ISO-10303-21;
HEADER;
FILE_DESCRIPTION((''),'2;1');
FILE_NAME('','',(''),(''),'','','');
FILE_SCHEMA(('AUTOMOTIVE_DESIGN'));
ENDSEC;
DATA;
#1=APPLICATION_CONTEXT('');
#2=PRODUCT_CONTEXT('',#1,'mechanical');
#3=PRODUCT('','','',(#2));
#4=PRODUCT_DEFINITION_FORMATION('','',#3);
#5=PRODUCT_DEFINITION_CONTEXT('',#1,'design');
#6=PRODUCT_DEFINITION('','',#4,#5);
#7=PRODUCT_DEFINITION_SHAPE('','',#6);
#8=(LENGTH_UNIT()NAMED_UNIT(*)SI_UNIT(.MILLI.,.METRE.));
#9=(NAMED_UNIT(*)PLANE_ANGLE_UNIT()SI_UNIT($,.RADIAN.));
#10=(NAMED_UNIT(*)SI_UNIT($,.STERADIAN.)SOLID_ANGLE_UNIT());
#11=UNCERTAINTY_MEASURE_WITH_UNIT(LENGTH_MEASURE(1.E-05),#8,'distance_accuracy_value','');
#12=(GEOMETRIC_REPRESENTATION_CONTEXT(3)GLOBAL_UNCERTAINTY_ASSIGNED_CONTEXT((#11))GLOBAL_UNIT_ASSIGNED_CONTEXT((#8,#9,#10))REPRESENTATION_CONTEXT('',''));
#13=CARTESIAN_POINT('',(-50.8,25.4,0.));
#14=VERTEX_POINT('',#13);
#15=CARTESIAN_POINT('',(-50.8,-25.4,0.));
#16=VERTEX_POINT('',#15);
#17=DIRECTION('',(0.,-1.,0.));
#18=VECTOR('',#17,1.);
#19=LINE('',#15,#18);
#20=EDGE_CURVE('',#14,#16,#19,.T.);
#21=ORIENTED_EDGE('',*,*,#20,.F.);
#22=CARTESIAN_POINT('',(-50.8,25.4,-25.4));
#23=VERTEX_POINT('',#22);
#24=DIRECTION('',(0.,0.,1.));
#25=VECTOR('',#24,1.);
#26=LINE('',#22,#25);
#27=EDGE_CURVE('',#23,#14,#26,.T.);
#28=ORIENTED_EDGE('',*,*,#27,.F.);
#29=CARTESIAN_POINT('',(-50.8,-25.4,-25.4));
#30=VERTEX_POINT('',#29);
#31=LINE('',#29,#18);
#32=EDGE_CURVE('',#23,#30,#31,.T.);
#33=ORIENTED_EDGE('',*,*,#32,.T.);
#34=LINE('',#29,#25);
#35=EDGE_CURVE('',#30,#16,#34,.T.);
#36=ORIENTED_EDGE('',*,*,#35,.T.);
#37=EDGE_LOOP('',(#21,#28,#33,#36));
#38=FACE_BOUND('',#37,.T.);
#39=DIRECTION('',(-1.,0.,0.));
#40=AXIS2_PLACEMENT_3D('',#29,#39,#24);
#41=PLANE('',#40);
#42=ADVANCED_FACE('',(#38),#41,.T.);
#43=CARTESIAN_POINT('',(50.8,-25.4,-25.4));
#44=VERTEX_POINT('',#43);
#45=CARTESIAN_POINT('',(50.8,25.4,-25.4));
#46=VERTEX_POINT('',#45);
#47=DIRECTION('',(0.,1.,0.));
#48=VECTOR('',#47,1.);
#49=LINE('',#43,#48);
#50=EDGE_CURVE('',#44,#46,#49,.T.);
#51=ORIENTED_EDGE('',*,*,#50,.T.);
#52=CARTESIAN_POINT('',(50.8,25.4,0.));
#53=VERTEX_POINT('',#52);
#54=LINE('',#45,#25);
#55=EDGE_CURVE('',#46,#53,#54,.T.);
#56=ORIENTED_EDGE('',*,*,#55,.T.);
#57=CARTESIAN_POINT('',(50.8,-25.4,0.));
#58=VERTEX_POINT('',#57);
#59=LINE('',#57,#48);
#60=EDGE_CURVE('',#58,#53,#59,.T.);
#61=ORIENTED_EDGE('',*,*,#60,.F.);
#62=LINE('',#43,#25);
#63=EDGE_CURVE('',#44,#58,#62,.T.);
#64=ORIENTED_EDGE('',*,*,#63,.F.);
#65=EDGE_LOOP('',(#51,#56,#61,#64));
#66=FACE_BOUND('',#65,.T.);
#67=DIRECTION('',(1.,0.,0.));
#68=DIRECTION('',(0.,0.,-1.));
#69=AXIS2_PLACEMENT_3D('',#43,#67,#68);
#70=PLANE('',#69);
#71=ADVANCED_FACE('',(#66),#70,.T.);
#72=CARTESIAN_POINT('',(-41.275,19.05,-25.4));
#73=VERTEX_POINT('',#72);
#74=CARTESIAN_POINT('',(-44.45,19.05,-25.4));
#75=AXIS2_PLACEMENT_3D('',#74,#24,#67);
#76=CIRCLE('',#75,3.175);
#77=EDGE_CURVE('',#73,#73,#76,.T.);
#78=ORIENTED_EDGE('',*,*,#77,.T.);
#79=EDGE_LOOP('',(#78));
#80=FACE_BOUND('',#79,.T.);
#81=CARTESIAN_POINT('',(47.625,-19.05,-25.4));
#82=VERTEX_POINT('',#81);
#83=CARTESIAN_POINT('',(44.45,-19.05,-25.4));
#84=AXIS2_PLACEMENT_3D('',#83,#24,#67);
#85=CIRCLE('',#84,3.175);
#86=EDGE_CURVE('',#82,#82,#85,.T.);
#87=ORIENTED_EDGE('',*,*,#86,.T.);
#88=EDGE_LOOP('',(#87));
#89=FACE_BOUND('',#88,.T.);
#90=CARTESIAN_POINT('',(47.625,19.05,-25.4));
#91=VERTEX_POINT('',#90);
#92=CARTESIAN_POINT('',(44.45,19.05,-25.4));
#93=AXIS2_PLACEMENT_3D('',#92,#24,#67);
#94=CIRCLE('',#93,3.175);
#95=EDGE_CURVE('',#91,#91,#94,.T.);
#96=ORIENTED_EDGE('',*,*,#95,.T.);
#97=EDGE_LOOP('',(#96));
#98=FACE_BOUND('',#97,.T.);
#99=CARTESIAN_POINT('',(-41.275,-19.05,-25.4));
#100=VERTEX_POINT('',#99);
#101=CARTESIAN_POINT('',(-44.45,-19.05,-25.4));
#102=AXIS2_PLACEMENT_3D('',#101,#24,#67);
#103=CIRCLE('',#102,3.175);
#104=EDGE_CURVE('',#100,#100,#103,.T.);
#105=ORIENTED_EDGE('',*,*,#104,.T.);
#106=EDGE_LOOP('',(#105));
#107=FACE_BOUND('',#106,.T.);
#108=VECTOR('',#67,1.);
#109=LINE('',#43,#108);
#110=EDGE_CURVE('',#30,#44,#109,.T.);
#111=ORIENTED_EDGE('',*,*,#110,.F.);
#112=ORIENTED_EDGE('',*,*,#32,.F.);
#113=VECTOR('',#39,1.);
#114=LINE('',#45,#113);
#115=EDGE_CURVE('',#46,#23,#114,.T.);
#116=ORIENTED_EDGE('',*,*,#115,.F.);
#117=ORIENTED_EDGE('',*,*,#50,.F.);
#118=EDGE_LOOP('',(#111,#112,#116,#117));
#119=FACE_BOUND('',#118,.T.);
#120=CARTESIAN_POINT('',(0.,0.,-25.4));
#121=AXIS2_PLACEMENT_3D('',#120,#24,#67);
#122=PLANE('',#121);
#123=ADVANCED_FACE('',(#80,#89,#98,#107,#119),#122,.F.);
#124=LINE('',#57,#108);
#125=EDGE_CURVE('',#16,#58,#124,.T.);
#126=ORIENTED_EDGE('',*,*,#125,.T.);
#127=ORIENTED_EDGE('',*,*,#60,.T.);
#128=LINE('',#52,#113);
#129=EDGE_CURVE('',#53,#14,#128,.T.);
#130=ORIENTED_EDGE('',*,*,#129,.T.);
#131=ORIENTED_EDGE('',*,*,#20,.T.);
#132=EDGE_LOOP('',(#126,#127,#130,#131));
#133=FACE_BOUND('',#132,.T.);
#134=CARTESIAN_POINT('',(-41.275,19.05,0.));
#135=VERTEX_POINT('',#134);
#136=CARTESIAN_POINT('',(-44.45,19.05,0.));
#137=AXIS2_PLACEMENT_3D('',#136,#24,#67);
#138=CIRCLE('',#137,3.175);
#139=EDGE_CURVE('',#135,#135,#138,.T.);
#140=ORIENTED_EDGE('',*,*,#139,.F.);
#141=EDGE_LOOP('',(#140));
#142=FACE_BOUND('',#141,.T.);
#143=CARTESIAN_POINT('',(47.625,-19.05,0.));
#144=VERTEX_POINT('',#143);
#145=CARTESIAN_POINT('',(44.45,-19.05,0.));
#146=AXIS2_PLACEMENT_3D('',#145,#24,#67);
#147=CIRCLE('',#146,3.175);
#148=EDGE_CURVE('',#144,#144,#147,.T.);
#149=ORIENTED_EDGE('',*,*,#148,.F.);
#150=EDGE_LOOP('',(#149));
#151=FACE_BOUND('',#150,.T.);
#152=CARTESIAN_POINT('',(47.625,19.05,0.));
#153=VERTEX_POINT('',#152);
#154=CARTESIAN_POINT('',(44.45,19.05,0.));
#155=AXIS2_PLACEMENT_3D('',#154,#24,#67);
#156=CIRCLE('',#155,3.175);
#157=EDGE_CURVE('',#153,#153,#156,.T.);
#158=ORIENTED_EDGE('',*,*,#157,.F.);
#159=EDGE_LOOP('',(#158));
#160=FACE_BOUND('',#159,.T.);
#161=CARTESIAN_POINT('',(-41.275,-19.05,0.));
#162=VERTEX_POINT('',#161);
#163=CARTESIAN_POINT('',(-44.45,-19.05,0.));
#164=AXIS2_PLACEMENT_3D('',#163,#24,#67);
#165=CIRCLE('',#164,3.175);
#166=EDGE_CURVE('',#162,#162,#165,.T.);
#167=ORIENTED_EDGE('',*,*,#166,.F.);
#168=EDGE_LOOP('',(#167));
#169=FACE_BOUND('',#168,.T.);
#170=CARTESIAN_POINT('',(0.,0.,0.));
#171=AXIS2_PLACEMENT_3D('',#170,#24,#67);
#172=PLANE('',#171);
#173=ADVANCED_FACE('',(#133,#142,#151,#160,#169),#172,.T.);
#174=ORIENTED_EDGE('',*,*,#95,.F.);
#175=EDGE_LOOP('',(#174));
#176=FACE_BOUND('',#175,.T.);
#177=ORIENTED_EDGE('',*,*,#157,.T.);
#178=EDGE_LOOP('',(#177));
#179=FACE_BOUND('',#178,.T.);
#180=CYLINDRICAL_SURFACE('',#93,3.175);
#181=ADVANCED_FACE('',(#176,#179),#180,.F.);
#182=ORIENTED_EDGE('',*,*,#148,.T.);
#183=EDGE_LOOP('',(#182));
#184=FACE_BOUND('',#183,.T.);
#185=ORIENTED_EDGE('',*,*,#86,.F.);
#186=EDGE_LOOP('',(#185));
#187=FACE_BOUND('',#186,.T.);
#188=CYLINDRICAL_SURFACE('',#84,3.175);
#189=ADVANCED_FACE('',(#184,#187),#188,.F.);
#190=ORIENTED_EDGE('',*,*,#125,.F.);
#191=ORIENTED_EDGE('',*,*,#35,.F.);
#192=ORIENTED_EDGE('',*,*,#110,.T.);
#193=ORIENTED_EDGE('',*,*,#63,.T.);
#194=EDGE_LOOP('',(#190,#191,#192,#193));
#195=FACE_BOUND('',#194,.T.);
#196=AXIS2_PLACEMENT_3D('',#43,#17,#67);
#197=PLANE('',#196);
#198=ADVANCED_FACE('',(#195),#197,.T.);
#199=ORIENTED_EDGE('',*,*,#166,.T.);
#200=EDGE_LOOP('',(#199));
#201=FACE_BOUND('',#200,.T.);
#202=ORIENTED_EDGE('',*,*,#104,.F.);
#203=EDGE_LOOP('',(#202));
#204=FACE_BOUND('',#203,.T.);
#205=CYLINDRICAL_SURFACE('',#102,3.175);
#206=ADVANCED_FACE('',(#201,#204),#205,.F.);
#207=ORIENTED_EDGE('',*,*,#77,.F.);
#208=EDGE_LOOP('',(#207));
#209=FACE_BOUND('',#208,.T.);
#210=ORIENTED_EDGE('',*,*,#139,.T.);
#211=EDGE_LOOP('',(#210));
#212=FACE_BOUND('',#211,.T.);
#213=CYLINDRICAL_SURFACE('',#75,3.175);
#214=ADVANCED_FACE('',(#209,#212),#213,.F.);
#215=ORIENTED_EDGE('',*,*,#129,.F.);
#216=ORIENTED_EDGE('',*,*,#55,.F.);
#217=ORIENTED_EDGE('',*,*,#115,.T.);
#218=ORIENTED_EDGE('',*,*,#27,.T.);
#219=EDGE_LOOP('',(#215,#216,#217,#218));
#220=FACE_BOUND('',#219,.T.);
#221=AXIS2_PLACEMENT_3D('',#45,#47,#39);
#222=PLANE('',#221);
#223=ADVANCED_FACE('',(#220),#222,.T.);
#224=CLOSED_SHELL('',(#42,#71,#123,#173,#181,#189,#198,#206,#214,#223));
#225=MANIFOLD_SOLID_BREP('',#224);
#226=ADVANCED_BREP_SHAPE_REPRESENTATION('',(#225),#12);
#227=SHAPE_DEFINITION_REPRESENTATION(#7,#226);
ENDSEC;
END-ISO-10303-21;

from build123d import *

# Parameters (mm, degrees)
CROQUIS1_W              = 101.6
CROQUIS1_H              = 50.8
CROQUIS1_R              = 3.175
SALIENTE_EXTRUIR1_DEPTH = 25.4


with BuildPart() as part:
    # Croquis1 → Saliente-Extruir1 (new body)
    with BuildSketch(Plane.XY):
        Rectangle(CROQUIS1_W, CROQUIS1_H)
        with Locations((44.45, 19.05)):
            Circle(CROQUIS1_R, mode=Mode.SUBTRACT)
        with Locations((-44.45, -19.05)):
            Circle(CROQUIS1_R, mode=Mode.SUBTRACT)
        with Locations((-44.45, 19.05)):
            Circle(CROQUIS1_R, mode=Mode.SUBTRACT)
        with Locations((44.45, -19.05)):
            Circle(CROQUIS1_R, mode=Mode.SUBTRACT)
    extrude(amount=-SALIENTE_EXTRUIR1_DEPTH)


solid = part.part
